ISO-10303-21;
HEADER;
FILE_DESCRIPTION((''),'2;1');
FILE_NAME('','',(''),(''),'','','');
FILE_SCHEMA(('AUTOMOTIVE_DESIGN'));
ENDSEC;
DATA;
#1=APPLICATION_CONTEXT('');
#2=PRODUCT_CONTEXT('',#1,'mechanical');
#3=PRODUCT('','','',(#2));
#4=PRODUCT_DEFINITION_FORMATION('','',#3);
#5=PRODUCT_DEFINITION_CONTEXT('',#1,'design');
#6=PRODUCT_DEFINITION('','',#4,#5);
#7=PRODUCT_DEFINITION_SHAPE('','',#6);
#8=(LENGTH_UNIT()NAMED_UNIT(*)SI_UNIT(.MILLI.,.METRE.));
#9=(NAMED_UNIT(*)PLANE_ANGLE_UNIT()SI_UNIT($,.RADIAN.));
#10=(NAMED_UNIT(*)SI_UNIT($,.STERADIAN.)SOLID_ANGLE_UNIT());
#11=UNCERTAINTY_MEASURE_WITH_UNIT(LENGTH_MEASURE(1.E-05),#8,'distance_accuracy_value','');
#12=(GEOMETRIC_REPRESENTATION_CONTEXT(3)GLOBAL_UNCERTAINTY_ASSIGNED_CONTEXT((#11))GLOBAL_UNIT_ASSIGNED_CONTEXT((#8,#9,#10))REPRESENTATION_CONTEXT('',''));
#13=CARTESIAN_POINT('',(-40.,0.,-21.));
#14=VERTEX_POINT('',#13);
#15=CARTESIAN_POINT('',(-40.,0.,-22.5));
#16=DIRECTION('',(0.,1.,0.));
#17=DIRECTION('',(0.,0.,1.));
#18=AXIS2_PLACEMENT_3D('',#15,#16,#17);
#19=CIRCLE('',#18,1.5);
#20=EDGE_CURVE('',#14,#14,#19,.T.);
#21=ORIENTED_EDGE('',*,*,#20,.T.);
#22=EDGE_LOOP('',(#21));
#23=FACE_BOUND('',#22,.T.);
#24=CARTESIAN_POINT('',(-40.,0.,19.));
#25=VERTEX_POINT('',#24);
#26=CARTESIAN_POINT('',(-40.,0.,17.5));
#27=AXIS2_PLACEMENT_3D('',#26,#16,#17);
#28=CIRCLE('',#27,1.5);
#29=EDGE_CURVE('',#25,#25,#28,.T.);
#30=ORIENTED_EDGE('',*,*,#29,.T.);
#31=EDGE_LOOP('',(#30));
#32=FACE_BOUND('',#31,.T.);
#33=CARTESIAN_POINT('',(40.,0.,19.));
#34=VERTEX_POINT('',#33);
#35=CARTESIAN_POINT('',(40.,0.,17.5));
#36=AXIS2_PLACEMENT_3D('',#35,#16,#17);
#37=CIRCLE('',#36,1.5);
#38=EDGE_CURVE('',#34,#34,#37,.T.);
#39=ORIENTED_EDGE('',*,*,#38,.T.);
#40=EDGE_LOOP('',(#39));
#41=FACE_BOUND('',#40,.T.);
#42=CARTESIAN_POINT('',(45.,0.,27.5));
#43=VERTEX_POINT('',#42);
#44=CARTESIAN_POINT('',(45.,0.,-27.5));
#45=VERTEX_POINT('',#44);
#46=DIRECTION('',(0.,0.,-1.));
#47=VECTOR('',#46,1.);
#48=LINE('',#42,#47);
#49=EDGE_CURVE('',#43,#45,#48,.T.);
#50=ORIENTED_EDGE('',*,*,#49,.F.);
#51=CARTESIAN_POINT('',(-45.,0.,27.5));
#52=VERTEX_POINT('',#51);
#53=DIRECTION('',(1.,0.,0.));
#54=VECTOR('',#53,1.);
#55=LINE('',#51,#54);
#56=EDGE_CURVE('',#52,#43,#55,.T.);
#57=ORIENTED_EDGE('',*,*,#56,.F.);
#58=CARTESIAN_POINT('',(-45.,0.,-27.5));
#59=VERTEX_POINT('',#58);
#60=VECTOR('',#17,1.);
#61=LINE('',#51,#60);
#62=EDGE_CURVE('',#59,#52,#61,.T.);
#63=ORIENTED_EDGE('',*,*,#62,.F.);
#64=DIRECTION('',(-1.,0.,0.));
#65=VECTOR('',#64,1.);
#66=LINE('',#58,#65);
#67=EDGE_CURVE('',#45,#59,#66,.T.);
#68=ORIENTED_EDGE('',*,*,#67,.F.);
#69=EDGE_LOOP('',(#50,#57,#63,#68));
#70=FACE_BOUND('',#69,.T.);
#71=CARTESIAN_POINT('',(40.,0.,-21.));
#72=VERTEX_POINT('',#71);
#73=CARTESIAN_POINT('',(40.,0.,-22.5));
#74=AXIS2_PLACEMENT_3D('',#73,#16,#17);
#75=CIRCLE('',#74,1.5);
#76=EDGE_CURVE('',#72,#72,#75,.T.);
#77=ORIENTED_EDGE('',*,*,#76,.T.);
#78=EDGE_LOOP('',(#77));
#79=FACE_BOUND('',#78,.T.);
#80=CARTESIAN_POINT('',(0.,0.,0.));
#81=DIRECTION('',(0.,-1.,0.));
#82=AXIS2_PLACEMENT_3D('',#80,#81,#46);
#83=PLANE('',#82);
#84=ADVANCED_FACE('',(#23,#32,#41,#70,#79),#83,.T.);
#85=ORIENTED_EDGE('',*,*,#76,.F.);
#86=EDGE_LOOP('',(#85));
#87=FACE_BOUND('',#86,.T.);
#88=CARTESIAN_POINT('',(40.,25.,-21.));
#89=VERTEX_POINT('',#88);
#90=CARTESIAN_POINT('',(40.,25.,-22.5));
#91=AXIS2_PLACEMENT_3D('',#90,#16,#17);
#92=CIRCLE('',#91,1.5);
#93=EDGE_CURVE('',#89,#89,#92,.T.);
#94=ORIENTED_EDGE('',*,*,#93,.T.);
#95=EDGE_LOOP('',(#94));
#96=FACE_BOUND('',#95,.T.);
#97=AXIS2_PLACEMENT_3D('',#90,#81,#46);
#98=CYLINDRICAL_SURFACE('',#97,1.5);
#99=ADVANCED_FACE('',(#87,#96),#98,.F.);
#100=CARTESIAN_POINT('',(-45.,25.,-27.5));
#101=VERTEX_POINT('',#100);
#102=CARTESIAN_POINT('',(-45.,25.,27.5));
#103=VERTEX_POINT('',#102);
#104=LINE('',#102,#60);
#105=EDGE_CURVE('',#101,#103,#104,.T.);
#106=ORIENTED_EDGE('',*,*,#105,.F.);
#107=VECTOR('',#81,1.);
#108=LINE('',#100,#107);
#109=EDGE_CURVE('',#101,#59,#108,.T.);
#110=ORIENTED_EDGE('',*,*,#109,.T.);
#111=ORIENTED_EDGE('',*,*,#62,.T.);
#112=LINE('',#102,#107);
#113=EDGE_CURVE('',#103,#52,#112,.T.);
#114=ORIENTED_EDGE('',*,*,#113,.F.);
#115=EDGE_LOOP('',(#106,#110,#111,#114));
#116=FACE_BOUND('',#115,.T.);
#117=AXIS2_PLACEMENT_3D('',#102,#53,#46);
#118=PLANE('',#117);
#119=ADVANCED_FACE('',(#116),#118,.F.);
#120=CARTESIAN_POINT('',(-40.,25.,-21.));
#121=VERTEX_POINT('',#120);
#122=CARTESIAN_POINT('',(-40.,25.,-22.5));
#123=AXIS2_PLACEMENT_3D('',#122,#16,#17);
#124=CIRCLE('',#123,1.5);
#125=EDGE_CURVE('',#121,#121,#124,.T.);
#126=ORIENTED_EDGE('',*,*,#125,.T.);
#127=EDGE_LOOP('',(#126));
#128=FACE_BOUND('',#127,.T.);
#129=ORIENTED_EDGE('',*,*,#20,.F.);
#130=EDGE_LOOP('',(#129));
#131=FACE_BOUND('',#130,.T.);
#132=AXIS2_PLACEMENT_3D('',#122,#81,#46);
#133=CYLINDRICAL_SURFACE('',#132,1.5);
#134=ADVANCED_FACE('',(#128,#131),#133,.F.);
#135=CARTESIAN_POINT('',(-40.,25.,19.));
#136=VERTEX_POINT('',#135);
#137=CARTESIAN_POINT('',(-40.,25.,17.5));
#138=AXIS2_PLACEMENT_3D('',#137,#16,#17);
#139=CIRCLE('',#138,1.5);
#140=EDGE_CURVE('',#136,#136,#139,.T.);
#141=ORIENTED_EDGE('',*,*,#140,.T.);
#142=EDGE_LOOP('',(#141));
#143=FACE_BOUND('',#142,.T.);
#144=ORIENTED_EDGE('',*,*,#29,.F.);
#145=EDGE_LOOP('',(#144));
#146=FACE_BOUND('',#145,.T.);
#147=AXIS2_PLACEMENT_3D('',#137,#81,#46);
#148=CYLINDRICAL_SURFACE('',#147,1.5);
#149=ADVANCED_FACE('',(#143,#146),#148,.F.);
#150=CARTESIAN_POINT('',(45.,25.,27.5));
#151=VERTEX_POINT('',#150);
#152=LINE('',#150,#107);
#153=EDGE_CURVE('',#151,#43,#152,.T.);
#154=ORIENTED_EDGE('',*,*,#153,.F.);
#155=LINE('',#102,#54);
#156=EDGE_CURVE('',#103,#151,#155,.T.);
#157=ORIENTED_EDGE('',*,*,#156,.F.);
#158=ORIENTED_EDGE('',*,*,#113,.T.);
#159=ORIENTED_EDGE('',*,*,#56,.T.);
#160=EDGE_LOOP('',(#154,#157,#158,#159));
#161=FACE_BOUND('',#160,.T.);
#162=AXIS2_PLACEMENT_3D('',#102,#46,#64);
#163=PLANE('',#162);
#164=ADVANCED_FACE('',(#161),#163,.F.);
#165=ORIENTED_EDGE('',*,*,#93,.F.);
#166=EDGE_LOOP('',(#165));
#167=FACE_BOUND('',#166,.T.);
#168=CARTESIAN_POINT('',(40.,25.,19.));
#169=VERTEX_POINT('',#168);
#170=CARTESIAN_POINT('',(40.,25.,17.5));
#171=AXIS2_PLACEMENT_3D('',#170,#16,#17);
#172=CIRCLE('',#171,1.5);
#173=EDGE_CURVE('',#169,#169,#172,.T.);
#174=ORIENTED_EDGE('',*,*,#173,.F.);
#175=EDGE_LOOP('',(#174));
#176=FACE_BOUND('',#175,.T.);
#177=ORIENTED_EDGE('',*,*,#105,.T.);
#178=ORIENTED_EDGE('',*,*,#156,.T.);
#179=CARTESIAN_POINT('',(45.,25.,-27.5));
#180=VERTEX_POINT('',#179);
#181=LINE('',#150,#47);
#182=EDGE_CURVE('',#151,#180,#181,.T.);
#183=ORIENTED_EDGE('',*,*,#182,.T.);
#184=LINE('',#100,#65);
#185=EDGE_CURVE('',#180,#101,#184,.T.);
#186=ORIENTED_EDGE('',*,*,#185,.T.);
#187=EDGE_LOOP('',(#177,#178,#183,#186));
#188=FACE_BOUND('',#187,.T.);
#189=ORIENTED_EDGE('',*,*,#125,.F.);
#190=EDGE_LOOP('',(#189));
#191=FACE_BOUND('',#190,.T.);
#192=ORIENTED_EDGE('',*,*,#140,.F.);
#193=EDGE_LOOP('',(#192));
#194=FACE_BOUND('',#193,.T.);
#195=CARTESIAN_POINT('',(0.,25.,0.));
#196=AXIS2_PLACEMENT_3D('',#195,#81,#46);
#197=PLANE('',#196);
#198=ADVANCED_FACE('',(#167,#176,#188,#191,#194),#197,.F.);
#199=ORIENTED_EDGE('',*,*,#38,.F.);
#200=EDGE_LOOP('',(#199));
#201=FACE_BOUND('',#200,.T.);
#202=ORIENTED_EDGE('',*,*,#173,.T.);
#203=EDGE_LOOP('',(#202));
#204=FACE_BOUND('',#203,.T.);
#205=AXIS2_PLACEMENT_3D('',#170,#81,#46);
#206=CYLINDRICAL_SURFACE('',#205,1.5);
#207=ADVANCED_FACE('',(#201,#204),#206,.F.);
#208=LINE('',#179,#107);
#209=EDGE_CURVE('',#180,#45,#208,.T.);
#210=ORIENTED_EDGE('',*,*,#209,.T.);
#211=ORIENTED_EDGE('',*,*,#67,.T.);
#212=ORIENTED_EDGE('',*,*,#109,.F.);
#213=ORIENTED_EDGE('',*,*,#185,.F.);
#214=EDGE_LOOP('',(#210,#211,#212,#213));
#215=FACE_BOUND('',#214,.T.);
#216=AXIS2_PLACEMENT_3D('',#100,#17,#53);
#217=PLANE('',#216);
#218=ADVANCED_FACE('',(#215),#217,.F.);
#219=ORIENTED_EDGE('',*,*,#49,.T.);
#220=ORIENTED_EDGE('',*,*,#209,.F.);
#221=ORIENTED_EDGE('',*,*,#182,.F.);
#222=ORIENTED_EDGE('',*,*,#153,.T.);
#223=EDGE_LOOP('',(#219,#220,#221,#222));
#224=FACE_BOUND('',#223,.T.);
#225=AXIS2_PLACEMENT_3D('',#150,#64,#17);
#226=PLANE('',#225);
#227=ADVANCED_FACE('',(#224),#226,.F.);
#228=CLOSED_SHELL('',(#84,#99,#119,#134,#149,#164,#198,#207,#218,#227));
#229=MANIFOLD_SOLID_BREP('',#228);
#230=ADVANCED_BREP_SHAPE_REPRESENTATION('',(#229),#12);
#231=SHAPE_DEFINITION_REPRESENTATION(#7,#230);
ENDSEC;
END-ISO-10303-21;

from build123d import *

# Parameters (mm, degrees)
SKETCH1_W           = 90
SKETCH1_H           = 55
SKETCH1_R           = 1.5
BOSS_EXTRUDE1_DEPTH = 25


with BuildPart() as part:
    # Sketch1 → Boss-Extrude1 (new body)
    with BuildSketch(Plane(origin=(0, 0, 0), x_dir=(1, 0, 0), z_dir=(0, 1, 0))):
        Rectangle(SKETCH1_W, SKETCH1_H)
        with Locations(Location((-40, 22.5, 0), (0, 0, 270))):
            Circle(SKETCH1_R, mode=Mode.SUBTRACT)
        with Locations(Location((40, 22.5, 0), (0, 0, 270))):
            Circle(SKETCH1_R, mode=Mode.SUBTRACT)
        with Locations(Location((40, -17.5, 0), (0, 0, 270))):
            Circle(SKETCH1_R, mode=Mode.SUBTRACT)
        with Locations(Location((-40, -17.5, 0), (0, 0, 270))):
            Circle(SKETCH1_R, mode=Mode.SUBTRACT)
    extrude(amount=BOSS_EXTRUDE1_DEPTH)


solid = part.part
